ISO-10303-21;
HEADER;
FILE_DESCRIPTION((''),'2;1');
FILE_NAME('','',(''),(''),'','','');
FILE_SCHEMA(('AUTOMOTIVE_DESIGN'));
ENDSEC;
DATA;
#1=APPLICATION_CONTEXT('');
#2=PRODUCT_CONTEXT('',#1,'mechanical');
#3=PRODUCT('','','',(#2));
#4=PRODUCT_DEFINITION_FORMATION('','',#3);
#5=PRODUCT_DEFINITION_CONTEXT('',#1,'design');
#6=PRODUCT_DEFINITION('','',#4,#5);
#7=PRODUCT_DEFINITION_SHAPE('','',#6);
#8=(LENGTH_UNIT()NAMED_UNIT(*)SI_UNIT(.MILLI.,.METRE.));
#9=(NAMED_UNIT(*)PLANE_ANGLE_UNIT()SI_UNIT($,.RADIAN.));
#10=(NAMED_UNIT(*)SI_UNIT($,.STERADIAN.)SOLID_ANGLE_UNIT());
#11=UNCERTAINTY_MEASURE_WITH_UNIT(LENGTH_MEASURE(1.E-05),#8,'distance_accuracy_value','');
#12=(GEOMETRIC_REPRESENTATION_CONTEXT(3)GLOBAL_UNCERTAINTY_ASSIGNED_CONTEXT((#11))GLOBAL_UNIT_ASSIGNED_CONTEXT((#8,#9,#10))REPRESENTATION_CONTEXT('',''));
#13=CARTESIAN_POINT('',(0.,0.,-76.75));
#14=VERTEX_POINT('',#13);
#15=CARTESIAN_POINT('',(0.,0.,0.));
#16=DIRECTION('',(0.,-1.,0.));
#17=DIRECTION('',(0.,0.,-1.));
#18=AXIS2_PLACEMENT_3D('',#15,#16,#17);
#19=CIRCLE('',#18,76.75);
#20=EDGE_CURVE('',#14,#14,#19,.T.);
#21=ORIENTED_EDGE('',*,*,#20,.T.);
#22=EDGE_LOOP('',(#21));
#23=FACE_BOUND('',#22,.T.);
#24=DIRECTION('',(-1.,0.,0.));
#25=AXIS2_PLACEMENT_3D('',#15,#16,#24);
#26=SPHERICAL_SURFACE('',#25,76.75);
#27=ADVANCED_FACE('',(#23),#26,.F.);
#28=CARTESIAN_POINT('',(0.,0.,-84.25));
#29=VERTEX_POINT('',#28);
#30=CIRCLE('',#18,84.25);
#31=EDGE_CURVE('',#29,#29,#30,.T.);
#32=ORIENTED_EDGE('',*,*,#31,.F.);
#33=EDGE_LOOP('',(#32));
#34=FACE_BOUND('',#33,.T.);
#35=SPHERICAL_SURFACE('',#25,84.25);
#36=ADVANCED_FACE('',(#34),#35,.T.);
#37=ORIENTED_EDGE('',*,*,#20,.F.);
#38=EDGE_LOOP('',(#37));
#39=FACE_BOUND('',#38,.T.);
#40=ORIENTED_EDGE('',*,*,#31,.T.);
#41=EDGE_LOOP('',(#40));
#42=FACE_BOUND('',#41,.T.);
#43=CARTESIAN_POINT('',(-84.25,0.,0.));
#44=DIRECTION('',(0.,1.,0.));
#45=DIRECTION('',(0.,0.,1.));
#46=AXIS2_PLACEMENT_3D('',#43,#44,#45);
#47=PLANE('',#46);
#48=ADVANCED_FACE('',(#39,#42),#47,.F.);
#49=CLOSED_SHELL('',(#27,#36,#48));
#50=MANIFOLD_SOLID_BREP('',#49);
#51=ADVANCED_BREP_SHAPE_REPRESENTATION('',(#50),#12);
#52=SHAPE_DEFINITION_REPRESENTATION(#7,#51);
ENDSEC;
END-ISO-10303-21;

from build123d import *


with BuildPart() as part:
    # Sketch2 → Revolve1 (revolve)
    with BuildSketch(Plane.XY):
        with BuildLine():
            Line((0, 76.75), (0, 84.25))
            ThreePointArc((0, 84.25), (-59.573746315, 59.573746315), (-84.25, 0))
            Line((-84.25, 0), (-76.75, 0))
            ThreePointArc((-76.75, 0), (-54.270445456, 54.270445456), (0, 76.75))
        make_face()
    revolve(axis=Axis((0, 0, 0), (0, 1, 0)))


solid = part.part
